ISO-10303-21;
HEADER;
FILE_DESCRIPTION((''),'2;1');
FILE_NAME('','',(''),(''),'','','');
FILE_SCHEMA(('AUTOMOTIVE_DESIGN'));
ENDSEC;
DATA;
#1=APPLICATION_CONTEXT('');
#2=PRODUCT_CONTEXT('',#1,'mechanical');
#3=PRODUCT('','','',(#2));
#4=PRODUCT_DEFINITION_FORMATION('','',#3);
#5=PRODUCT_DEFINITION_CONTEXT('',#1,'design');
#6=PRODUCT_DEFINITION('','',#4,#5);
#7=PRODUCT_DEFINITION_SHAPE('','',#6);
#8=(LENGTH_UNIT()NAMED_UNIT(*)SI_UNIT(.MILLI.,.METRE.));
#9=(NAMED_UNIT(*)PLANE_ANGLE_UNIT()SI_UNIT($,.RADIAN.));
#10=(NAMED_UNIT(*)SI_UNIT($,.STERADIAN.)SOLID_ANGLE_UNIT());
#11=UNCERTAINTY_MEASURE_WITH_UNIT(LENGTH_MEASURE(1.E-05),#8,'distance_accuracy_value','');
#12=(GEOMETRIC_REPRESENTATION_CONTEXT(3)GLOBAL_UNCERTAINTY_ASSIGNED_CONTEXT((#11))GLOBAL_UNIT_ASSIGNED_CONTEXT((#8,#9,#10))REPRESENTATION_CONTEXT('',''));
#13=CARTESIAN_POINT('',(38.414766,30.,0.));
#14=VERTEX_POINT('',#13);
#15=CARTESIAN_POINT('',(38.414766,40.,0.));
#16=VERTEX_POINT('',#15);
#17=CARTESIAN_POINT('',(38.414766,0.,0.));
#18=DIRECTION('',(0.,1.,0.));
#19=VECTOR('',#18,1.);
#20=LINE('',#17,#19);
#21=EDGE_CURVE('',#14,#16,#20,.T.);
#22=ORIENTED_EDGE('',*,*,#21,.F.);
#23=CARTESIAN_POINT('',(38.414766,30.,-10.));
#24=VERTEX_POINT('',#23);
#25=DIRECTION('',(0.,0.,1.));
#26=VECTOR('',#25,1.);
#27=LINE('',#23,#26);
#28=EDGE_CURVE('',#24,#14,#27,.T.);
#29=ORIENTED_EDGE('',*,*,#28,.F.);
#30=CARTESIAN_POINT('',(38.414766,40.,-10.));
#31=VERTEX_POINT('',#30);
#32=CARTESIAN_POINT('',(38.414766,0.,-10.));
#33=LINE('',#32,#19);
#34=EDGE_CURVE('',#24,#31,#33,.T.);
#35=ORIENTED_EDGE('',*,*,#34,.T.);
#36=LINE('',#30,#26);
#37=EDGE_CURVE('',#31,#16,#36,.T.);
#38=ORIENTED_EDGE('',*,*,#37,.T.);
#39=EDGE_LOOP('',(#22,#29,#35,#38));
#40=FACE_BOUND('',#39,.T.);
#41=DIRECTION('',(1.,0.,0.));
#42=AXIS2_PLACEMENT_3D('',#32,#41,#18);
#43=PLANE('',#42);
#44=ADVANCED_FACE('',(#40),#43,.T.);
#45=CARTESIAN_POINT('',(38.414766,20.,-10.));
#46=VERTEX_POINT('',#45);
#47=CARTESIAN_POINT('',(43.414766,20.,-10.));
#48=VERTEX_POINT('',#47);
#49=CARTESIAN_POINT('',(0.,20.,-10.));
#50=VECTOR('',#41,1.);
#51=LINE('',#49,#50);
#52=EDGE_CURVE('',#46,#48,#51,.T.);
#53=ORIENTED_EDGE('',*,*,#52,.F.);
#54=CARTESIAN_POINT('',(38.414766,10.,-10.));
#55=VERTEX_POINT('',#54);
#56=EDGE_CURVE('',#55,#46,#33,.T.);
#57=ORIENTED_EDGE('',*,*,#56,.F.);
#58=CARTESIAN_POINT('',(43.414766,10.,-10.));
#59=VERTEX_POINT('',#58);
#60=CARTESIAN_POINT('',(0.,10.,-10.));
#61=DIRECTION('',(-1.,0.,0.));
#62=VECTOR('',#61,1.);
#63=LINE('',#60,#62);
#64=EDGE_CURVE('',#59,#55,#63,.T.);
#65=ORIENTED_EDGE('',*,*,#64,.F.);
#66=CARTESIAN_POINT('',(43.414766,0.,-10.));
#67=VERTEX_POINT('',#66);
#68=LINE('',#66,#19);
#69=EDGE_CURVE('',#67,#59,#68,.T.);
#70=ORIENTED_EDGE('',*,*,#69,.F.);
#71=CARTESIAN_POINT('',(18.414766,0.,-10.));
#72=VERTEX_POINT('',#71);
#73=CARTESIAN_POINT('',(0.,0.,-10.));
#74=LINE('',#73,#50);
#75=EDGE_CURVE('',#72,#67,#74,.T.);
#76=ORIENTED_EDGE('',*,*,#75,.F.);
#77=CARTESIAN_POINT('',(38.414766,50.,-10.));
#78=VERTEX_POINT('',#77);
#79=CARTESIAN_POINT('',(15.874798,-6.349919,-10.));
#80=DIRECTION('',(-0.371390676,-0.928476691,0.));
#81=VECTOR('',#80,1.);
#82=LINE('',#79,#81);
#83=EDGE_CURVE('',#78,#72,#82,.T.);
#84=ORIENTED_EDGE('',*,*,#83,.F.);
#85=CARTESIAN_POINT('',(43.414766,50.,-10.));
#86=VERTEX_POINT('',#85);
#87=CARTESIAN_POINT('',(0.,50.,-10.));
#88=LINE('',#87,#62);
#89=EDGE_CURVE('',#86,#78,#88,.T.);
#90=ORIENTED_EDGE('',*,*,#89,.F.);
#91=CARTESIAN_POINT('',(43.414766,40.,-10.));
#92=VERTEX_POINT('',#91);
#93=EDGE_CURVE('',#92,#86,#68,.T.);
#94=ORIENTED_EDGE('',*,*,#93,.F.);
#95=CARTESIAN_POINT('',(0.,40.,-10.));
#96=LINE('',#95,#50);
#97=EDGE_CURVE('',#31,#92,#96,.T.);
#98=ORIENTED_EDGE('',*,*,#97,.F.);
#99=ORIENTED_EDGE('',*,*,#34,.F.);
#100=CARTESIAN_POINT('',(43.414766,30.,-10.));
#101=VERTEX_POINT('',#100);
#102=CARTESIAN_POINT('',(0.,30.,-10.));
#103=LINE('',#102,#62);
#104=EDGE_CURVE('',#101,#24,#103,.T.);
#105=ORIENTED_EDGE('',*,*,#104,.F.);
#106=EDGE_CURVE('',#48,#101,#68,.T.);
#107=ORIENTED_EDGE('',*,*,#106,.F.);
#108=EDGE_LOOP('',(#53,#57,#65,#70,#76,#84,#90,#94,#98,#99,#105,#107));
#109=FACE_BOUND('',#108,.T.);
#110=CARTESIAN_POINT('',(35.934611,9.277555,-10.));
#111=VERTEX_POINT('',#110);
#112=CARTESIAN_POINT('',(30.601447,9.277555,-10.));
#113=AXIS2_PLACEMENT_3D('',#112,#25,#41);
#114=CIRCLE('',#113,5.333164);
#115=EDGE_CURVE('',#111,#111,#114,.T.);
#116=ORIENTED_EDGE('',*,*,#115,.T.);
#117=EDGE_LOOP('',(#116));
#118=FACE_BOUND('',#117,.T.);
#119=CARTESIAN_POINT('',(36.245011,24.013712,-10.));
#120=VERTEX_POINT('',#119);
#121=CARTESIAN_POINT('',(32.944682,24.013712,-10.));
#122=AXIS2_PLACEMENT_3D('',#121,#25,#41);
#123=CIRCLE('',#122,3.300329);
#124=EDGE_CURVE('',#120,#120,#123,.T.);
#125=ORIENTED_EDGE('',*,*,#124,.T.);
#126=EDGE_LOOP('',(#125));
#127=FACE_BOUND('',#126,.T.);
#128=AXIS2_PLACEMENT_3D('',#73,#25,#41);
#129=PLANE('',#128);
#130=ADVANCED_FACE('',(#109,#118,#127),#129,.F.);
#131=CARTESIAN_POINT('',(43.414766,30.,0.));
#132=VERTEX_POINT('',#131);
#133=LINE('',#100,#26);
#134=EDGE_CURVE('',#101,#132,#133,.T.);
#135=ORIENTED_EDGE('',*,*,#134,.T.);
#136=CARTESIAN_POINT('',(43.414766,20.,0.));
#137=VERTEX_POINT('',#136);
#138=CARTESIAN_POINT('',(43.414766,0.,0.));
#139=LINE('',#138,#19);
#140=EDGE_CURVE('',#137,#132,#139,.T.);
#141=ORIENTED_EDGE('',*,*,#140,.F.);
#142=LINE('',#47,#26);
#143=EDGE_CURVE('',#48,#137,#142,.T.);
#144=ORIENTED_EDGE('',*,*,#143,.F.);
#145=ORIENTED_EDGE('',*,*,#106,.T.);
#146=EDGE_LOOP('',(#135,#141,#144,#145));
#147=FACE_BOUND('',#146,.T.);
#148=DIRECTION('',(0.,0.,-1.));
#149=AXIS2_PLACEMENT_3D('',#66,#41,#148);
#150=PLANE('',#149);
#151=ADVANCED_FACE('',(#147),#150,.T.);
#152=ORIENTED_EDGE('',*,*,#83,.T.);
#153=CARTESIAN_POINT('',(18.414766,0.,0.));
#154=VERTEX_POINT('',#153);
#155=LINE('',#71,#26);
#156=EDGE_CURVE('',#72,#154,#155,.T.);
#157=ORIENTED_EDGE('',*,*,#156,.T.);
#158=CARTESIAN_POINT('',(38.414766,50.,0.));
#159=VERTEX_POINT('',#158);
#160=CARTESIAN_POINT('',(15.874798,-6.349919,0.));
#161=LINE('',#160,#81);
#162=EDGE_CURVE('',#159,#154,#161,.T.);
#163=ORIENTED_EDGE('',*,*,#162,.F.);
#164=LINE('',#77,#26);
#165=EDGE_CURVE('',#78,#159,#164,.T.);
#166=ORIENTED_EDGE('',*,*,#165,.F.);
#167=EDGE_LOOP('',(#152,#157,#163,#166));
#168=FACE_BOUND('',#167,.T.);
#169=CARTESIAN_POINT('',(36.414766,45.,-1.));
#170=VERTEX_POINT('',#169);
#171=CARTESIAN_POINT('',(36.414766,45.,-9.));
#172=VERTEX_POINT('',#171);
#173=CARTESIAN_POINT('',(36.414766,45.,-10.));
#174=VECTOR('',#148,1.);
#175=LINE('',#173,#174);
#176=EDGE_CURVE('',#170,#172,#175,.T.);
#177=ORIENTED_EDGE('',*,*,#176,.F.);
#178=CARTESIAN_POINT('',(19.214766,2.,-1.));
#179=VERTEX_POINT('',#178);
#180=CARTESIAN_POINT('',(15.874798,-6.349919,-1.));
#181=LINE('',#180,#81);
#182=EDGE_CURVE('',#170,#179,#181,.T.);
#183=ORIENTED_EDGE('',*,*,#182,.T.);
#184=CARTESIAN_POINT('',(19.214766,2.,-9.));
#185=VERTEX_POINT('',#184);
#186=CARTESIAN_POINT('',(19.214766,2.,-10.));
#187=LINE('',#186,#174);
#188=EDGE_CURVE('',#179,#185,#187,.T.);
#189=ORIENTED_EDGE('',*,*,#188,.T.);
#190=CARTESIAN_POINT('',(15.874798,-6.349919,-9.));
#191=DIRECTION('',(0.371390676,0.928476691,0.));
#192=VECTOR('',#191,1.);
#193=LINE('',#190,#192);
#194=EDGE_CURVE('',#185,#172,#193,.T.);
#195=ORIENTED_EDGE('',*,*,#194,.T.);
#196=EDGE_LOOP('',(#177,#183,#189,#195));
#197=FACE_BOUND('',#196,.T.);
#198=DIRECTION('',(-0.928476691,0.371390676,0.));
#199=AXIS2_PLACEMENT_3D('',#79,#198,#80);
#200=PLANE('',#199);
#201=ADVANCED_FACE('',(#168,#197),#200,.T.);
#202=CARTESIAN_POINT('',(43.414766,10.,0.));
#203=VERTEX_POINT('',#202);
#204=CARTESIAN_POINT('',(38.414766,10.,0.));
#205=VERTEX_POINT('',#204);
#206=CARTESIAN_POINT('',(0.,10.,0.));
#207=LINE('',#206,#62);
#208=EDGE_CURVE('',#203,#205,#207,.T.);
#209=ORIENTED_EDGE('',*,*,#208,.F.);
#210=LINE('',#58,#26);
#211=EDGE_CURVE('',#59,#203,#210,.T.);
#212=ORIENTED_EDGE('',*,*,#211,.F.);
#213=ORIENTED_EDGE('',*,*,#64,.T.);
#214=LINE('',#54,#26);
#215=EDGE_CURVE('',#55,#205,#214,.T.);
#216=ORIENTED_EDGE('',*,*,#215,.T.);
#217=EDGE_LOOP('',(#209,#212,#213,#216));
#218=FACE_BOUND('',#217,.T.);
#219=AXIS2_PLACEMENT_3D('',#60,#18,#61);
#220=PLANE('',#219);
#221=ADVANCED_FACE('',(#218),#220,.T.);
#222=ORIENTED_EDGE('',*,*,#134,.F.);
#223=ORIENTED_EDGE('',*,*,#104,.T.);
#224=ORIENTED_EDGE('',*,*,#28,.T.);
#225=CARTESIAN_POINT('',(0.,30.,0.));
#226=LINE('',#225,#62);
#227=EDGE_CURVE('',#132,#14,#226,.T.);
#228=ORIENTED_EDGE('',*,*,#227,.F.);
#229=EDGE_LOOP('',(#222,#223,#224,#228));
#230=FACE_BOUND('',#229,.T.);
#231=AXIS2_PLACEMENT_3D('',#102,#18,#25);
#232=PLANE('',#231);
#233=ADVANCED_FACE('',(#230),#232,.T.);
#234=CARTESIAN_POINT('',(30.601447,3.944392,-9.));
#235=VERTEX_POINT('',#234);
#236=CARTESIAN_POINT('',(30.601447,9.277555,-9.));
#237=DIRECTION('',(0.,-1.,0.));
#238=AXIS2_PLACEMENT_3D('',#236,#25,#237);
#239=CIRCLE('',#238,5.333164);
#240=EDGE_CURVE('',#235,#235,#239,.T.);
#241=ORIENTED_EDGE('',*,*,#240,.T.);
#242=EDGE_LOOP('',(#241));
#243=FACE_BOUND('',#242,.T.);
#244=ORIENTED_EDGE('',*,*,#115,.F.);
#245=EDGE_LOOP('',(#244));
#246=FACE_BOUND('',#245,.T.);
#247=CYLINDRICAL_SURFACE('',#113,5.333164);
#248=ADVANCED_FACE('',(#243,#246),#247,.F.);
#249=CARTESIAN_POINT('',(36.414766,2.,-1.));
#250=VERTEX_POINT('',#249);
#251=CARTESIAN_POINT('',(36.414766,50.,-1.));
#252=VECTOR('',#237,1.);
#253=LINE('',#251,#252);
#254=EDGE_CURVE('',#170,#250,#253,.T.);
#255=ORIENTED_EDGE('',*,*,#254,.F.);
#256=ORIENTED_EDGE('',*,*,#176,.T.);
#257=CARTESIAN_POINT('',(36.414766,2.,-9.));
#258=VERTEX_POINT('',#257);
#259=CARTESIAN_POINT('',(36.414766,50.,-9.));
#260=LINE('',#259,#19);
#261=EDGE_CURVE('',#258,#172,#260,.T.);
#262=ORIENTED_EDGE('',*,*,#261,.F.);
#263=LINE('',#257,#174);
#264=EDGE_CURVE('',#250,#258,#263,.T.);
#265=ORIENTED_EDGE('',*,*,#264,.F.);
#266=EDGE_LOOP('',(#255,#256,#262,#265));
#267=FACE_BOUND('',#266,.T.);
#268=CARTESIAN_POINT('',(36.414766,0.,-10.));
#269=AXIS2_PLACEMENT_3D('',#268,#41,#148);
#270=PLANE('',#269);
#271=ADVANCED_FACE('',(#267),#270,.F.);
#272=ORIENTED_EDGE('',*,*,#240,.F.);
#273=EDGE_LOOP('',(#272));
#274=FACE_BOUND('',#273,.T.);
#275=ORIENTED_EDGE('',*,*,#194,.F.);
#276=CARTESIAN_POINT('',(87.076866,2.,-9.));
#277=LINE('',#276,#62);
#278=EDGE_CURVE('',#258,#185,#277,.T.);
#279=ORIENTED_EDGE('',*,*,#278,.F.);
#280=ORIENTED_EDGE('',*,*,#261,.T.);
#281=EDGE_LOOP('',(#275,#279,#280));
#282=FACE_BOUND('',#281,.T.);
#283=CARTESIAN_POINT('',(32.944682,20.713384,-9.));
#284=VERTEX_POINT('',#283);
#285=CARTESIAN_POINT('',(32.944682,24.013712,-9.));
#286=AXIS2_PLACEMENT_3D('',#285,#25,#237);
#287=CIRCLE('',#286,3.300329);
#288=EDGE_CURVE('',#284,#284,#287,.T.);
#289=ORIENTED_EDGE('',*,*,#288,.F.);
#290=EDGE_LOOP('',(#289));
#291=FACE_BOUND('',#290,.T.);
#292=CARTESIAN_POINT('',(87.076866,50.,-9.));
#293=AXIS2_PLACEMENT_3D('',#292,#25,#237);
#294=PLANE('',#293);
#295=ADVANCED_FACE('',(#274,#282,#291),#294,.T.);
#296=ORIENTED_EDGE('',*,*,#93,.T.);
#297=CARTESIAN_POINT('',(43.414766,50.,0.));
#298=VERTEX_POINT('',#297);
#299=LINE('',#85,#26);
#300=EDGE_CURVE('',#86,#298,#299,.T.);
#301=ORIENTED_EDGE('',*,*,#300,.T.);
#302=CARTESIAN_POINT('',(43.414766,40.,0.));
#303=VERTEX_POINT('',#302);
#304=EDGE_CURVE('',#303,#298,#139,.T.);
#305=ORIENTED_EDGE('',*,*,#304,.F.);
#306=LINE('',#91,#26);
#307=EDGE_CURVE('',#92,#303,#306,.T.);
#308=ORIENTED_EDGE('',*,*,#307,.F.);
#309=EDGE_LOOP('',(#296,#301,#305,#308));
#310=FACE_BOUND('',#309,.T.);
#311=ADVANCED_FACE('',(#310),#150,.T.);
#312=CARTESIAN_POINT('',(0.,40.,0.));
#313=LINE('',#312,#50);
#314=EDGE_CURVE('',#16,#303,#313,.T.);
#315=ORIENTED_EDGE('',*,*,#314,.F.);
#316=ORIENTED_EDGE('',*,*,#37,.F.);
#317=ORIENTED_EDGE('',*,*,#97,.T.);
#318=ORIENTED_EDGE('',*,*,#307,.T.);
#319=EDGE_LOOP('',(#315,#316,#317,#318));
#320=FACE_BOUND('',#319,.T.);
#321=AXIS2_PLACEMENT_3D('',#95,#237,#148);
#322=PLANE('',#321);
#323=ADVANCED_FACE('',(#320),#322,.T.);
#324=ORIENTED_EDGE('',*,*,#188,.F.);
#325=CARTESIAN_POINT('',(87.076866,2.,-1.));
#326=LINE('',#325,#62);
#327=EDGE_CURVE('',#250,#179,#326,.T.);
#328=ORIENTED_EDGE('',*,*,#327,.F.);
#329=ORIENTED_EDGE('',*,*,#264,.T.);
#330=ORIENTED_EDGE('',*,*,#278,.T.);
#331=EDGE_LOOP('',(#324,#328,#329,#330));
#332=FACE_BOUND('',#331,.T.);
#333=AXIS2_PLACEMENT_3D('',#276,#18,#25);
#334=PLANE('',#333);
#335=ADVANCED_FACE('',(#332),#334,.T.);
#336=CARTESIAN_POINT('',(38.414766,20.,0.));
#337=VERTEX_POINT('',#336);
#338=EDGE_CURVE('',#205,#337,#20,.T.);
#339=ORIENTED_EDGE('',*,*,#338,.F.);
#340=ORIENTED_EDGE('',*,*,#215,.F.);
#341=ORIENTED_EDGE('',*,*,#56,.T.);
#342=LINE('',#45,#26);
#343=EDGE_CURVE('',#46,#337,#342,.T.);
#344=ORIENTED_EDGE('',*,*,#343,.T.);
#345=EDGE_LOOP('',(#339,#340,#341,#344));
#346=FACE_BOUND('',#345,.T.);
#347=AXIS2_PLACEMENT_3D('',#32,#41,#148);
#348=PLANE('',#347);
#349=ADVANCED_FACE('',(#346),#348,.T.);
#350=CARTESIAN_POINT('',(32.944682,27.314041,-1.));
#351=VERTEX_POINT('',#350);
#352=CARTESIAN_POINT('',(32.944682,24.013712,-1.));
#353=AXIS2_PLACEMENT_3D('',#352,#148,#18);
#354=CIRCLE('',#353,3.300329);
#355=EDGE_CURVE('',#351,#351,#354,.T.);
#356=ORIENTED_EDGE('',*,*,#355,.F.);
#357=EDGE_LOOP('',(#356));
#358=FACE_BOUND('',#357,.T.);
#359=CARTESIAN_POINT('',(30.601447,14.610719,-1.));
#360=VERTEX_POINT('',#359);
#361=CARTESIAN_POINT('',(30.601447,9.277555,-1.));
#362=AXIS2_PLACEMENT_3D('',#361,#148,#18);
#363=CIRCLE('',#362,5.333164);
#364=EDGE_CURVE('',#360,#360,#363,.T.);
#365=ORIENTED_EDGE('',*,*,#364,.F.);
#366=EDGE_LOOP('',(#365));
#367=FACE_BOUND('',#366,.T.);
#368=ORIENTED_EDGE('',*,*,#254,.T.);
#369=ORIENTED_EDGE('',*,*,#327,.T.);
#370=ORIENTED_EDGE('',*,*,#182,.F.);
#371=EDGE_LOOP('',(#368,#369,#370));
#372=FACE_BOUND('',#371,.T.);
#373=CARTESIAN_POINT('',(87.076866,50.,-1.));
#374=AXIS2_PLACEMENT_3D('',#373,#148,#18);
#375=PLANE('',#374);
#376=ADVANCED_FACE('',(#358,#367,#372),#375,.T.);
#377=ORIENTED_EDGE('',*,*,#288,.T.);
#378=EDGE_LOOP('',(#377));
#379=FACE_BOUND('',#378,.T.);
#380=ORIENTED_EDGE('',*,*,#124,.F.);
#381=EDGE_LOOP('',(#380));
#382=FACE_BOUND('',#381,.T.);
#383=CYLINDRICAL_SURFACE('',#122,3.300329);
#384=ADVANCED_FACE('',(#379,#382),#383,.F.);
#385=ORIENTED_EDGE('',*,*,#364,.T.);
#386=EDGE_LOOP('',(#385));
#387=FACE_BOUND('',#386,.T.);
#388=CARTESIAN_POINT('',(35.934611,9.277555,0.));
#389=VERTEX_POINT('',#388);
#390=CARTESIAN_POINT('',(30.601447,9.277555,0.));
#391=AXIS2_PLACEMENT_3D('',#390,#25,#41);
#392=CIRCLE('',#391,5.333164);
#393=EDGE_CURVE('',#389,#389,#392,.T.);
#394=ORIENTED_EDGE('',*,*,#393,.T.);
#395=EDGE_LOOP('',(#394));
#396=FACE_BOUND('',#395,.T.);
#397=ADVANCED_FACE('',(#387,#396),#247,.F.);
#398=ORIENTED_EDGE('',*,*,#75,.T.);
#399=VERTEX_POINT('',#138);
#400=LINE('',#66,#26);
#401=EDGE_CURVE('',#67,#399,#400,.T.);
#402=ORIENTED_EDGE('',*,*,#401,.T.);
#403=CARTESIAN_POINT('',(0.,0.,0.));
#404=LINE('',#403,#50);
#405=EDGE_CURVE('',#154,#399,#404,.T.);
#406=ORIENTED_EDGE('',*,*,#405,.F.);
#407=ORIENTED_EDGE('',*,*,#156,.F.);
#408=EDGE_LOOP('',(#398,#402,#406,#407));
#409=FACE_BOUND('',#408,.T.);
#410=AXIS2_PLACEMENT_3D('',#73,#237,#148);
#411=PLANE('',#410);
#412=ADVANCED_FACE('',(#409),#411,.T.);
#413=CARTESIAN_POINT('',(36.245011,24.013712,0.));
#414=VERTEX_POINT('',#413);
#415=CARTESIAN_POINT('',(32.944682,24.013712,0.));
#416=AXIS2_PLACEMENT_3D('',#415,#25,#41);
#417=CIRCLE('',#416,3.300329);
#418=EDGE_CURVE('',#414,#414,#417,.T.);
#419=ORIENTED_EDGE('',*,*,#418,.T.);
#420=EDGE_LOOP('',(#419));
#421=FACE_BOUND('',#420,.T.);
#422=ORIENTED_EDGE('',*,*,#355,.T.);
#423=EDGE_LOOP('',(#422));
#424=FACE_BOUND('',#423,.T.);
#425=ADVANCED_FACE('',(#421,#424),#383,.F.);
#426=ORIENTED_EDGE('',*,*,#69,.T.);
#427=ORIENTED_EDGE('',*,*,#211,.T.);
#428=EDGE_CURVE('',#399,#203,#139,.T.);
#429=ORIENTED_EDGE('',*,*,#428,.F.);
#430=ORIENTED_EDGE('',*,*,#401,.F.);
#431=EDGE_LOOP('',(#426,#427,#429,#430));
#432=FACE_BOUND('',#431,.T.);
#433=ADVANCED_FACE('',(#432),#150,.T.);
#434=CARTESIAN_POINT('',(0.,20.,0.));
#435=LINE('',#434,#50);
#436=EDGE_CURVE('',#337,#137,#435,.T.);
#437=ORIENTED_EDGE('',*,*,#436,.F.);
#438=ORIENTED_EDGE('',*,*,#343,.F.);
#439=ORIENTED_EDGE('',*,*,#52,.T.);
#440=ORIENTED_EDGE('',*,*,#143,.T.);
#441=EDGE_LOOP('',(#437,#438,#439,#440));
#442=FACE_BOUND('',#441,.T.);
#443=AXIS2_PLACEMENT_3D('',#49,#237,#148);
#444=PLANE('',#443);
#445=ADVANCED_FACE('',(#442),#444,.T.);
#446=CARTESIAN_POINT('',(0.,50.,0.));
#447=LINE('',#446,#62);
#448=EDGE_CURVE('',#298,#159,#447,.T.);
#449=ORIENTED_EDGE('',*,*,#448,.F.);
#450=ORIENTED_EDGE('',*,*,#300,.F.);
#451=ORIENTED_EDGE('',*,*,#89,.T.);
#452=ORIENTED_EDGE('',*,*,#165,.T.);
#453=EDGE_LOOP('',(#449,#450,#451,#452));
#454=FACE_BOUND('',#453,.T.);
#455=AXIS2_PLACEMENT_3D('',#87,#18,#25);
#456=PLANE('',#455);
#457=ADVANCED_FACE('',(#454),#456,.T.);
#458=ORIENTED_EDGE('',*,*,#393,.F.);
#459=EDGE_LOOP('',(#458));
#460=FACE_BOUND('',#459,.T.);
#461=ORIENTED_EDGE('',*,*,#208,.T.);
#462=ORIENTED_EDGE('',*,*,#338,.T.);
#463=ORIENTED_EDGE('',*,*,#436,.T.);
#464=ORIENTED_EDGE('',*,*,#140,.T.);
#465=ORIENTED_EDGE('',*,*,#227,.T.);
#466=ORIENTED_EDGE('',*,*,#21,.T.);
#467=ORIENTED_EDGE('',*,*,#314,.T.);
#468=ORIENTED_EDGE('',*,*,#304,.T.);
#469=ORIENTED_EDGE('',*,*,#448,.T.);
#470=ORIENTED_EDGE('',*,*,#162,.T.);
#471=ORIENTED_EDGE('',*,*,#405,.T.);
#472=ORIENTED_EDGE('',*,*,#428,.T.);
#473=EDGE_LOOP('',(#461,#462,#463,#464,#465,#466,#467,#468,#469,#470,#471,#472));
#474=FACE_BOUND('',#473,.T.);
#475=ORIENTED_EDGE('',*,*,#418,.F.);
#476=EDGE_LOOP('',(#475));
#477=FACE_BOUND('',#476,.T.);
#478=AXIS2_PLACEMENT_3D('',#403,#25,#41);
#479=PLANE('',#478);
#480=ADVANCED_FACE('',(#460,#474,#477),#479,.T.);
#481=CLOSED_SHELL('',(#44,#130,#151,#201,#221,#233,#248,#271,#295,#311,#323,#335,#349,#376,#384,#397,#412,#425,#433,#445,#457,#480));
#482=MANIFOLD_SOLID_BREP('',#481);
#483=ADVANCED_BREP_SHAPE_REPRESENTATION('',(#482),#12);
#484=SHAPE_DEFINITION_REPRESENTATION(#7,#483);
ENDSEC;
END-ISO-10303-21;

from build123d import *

# Parameters (mm, degrees)
EXTRUDE_1_DEPTH     = 10
CUT_EXTRUDE_START   = 19.214766
SKETCH_3_W          = 8
SKETCH_3_H          = 48
CUT_EXTRUDE_4_DEPTH = 17.2
SKETCH_4_R          = 5.333163539
SKETCH_4_R_2        = 3.300328709
CUT_EXTRUDE_6_DEPTH = 67.968962262


with BuildPart() as part:
    # 草图1 → 凸台-拉伸1 (new body)
    with BuildSketch(Plane.XY):
        Polygon((38.414765995, 50), (18.414765995, 0), (43.414765995, 0), (43.414765995, 10), (38.414765995, 10), (38.414765995, 20), (43.414765995, 20), (43.414765995, 30), (38.414765995, 30), (38.414765995, 40), (43.414765995, 40), (43.414765995, 50), align=None)
    extrude(amount=-EXTRUDE_1_DEPTH)

    # 草图3 → 切除-拉伸4 (cut)
    with BuildSketch(Plane(origin=(0, 0, 0), x_dir=(0, 0, -1), z_dir=(1, 0, 0)).offset(CUT_EXTRUDE_START)):
        with Locations((5, 26)):
            Rectangle(SKETCH_3_W, SKETCH_3_H)
    extrude(amount=CUT_EXTRUDE_4_DEPTH, mode=Mode.SUBTRACT)

    # 草图4 → 切除-拉伸6 (cut, through all)
    with BuildSketch(Plane.XY):
        with Locations((30.601447123, 9.277555354)):
            Circle(SKETCH_4_R)
        with Locations((32.944682438, 24.013712258)):
            Circle(SKETCH_4_R_2)
    extrude(amount=-CUT_EXTRUDE_6_DEPTH, mode=Mode.SUBTRACT)


solid = part.part
